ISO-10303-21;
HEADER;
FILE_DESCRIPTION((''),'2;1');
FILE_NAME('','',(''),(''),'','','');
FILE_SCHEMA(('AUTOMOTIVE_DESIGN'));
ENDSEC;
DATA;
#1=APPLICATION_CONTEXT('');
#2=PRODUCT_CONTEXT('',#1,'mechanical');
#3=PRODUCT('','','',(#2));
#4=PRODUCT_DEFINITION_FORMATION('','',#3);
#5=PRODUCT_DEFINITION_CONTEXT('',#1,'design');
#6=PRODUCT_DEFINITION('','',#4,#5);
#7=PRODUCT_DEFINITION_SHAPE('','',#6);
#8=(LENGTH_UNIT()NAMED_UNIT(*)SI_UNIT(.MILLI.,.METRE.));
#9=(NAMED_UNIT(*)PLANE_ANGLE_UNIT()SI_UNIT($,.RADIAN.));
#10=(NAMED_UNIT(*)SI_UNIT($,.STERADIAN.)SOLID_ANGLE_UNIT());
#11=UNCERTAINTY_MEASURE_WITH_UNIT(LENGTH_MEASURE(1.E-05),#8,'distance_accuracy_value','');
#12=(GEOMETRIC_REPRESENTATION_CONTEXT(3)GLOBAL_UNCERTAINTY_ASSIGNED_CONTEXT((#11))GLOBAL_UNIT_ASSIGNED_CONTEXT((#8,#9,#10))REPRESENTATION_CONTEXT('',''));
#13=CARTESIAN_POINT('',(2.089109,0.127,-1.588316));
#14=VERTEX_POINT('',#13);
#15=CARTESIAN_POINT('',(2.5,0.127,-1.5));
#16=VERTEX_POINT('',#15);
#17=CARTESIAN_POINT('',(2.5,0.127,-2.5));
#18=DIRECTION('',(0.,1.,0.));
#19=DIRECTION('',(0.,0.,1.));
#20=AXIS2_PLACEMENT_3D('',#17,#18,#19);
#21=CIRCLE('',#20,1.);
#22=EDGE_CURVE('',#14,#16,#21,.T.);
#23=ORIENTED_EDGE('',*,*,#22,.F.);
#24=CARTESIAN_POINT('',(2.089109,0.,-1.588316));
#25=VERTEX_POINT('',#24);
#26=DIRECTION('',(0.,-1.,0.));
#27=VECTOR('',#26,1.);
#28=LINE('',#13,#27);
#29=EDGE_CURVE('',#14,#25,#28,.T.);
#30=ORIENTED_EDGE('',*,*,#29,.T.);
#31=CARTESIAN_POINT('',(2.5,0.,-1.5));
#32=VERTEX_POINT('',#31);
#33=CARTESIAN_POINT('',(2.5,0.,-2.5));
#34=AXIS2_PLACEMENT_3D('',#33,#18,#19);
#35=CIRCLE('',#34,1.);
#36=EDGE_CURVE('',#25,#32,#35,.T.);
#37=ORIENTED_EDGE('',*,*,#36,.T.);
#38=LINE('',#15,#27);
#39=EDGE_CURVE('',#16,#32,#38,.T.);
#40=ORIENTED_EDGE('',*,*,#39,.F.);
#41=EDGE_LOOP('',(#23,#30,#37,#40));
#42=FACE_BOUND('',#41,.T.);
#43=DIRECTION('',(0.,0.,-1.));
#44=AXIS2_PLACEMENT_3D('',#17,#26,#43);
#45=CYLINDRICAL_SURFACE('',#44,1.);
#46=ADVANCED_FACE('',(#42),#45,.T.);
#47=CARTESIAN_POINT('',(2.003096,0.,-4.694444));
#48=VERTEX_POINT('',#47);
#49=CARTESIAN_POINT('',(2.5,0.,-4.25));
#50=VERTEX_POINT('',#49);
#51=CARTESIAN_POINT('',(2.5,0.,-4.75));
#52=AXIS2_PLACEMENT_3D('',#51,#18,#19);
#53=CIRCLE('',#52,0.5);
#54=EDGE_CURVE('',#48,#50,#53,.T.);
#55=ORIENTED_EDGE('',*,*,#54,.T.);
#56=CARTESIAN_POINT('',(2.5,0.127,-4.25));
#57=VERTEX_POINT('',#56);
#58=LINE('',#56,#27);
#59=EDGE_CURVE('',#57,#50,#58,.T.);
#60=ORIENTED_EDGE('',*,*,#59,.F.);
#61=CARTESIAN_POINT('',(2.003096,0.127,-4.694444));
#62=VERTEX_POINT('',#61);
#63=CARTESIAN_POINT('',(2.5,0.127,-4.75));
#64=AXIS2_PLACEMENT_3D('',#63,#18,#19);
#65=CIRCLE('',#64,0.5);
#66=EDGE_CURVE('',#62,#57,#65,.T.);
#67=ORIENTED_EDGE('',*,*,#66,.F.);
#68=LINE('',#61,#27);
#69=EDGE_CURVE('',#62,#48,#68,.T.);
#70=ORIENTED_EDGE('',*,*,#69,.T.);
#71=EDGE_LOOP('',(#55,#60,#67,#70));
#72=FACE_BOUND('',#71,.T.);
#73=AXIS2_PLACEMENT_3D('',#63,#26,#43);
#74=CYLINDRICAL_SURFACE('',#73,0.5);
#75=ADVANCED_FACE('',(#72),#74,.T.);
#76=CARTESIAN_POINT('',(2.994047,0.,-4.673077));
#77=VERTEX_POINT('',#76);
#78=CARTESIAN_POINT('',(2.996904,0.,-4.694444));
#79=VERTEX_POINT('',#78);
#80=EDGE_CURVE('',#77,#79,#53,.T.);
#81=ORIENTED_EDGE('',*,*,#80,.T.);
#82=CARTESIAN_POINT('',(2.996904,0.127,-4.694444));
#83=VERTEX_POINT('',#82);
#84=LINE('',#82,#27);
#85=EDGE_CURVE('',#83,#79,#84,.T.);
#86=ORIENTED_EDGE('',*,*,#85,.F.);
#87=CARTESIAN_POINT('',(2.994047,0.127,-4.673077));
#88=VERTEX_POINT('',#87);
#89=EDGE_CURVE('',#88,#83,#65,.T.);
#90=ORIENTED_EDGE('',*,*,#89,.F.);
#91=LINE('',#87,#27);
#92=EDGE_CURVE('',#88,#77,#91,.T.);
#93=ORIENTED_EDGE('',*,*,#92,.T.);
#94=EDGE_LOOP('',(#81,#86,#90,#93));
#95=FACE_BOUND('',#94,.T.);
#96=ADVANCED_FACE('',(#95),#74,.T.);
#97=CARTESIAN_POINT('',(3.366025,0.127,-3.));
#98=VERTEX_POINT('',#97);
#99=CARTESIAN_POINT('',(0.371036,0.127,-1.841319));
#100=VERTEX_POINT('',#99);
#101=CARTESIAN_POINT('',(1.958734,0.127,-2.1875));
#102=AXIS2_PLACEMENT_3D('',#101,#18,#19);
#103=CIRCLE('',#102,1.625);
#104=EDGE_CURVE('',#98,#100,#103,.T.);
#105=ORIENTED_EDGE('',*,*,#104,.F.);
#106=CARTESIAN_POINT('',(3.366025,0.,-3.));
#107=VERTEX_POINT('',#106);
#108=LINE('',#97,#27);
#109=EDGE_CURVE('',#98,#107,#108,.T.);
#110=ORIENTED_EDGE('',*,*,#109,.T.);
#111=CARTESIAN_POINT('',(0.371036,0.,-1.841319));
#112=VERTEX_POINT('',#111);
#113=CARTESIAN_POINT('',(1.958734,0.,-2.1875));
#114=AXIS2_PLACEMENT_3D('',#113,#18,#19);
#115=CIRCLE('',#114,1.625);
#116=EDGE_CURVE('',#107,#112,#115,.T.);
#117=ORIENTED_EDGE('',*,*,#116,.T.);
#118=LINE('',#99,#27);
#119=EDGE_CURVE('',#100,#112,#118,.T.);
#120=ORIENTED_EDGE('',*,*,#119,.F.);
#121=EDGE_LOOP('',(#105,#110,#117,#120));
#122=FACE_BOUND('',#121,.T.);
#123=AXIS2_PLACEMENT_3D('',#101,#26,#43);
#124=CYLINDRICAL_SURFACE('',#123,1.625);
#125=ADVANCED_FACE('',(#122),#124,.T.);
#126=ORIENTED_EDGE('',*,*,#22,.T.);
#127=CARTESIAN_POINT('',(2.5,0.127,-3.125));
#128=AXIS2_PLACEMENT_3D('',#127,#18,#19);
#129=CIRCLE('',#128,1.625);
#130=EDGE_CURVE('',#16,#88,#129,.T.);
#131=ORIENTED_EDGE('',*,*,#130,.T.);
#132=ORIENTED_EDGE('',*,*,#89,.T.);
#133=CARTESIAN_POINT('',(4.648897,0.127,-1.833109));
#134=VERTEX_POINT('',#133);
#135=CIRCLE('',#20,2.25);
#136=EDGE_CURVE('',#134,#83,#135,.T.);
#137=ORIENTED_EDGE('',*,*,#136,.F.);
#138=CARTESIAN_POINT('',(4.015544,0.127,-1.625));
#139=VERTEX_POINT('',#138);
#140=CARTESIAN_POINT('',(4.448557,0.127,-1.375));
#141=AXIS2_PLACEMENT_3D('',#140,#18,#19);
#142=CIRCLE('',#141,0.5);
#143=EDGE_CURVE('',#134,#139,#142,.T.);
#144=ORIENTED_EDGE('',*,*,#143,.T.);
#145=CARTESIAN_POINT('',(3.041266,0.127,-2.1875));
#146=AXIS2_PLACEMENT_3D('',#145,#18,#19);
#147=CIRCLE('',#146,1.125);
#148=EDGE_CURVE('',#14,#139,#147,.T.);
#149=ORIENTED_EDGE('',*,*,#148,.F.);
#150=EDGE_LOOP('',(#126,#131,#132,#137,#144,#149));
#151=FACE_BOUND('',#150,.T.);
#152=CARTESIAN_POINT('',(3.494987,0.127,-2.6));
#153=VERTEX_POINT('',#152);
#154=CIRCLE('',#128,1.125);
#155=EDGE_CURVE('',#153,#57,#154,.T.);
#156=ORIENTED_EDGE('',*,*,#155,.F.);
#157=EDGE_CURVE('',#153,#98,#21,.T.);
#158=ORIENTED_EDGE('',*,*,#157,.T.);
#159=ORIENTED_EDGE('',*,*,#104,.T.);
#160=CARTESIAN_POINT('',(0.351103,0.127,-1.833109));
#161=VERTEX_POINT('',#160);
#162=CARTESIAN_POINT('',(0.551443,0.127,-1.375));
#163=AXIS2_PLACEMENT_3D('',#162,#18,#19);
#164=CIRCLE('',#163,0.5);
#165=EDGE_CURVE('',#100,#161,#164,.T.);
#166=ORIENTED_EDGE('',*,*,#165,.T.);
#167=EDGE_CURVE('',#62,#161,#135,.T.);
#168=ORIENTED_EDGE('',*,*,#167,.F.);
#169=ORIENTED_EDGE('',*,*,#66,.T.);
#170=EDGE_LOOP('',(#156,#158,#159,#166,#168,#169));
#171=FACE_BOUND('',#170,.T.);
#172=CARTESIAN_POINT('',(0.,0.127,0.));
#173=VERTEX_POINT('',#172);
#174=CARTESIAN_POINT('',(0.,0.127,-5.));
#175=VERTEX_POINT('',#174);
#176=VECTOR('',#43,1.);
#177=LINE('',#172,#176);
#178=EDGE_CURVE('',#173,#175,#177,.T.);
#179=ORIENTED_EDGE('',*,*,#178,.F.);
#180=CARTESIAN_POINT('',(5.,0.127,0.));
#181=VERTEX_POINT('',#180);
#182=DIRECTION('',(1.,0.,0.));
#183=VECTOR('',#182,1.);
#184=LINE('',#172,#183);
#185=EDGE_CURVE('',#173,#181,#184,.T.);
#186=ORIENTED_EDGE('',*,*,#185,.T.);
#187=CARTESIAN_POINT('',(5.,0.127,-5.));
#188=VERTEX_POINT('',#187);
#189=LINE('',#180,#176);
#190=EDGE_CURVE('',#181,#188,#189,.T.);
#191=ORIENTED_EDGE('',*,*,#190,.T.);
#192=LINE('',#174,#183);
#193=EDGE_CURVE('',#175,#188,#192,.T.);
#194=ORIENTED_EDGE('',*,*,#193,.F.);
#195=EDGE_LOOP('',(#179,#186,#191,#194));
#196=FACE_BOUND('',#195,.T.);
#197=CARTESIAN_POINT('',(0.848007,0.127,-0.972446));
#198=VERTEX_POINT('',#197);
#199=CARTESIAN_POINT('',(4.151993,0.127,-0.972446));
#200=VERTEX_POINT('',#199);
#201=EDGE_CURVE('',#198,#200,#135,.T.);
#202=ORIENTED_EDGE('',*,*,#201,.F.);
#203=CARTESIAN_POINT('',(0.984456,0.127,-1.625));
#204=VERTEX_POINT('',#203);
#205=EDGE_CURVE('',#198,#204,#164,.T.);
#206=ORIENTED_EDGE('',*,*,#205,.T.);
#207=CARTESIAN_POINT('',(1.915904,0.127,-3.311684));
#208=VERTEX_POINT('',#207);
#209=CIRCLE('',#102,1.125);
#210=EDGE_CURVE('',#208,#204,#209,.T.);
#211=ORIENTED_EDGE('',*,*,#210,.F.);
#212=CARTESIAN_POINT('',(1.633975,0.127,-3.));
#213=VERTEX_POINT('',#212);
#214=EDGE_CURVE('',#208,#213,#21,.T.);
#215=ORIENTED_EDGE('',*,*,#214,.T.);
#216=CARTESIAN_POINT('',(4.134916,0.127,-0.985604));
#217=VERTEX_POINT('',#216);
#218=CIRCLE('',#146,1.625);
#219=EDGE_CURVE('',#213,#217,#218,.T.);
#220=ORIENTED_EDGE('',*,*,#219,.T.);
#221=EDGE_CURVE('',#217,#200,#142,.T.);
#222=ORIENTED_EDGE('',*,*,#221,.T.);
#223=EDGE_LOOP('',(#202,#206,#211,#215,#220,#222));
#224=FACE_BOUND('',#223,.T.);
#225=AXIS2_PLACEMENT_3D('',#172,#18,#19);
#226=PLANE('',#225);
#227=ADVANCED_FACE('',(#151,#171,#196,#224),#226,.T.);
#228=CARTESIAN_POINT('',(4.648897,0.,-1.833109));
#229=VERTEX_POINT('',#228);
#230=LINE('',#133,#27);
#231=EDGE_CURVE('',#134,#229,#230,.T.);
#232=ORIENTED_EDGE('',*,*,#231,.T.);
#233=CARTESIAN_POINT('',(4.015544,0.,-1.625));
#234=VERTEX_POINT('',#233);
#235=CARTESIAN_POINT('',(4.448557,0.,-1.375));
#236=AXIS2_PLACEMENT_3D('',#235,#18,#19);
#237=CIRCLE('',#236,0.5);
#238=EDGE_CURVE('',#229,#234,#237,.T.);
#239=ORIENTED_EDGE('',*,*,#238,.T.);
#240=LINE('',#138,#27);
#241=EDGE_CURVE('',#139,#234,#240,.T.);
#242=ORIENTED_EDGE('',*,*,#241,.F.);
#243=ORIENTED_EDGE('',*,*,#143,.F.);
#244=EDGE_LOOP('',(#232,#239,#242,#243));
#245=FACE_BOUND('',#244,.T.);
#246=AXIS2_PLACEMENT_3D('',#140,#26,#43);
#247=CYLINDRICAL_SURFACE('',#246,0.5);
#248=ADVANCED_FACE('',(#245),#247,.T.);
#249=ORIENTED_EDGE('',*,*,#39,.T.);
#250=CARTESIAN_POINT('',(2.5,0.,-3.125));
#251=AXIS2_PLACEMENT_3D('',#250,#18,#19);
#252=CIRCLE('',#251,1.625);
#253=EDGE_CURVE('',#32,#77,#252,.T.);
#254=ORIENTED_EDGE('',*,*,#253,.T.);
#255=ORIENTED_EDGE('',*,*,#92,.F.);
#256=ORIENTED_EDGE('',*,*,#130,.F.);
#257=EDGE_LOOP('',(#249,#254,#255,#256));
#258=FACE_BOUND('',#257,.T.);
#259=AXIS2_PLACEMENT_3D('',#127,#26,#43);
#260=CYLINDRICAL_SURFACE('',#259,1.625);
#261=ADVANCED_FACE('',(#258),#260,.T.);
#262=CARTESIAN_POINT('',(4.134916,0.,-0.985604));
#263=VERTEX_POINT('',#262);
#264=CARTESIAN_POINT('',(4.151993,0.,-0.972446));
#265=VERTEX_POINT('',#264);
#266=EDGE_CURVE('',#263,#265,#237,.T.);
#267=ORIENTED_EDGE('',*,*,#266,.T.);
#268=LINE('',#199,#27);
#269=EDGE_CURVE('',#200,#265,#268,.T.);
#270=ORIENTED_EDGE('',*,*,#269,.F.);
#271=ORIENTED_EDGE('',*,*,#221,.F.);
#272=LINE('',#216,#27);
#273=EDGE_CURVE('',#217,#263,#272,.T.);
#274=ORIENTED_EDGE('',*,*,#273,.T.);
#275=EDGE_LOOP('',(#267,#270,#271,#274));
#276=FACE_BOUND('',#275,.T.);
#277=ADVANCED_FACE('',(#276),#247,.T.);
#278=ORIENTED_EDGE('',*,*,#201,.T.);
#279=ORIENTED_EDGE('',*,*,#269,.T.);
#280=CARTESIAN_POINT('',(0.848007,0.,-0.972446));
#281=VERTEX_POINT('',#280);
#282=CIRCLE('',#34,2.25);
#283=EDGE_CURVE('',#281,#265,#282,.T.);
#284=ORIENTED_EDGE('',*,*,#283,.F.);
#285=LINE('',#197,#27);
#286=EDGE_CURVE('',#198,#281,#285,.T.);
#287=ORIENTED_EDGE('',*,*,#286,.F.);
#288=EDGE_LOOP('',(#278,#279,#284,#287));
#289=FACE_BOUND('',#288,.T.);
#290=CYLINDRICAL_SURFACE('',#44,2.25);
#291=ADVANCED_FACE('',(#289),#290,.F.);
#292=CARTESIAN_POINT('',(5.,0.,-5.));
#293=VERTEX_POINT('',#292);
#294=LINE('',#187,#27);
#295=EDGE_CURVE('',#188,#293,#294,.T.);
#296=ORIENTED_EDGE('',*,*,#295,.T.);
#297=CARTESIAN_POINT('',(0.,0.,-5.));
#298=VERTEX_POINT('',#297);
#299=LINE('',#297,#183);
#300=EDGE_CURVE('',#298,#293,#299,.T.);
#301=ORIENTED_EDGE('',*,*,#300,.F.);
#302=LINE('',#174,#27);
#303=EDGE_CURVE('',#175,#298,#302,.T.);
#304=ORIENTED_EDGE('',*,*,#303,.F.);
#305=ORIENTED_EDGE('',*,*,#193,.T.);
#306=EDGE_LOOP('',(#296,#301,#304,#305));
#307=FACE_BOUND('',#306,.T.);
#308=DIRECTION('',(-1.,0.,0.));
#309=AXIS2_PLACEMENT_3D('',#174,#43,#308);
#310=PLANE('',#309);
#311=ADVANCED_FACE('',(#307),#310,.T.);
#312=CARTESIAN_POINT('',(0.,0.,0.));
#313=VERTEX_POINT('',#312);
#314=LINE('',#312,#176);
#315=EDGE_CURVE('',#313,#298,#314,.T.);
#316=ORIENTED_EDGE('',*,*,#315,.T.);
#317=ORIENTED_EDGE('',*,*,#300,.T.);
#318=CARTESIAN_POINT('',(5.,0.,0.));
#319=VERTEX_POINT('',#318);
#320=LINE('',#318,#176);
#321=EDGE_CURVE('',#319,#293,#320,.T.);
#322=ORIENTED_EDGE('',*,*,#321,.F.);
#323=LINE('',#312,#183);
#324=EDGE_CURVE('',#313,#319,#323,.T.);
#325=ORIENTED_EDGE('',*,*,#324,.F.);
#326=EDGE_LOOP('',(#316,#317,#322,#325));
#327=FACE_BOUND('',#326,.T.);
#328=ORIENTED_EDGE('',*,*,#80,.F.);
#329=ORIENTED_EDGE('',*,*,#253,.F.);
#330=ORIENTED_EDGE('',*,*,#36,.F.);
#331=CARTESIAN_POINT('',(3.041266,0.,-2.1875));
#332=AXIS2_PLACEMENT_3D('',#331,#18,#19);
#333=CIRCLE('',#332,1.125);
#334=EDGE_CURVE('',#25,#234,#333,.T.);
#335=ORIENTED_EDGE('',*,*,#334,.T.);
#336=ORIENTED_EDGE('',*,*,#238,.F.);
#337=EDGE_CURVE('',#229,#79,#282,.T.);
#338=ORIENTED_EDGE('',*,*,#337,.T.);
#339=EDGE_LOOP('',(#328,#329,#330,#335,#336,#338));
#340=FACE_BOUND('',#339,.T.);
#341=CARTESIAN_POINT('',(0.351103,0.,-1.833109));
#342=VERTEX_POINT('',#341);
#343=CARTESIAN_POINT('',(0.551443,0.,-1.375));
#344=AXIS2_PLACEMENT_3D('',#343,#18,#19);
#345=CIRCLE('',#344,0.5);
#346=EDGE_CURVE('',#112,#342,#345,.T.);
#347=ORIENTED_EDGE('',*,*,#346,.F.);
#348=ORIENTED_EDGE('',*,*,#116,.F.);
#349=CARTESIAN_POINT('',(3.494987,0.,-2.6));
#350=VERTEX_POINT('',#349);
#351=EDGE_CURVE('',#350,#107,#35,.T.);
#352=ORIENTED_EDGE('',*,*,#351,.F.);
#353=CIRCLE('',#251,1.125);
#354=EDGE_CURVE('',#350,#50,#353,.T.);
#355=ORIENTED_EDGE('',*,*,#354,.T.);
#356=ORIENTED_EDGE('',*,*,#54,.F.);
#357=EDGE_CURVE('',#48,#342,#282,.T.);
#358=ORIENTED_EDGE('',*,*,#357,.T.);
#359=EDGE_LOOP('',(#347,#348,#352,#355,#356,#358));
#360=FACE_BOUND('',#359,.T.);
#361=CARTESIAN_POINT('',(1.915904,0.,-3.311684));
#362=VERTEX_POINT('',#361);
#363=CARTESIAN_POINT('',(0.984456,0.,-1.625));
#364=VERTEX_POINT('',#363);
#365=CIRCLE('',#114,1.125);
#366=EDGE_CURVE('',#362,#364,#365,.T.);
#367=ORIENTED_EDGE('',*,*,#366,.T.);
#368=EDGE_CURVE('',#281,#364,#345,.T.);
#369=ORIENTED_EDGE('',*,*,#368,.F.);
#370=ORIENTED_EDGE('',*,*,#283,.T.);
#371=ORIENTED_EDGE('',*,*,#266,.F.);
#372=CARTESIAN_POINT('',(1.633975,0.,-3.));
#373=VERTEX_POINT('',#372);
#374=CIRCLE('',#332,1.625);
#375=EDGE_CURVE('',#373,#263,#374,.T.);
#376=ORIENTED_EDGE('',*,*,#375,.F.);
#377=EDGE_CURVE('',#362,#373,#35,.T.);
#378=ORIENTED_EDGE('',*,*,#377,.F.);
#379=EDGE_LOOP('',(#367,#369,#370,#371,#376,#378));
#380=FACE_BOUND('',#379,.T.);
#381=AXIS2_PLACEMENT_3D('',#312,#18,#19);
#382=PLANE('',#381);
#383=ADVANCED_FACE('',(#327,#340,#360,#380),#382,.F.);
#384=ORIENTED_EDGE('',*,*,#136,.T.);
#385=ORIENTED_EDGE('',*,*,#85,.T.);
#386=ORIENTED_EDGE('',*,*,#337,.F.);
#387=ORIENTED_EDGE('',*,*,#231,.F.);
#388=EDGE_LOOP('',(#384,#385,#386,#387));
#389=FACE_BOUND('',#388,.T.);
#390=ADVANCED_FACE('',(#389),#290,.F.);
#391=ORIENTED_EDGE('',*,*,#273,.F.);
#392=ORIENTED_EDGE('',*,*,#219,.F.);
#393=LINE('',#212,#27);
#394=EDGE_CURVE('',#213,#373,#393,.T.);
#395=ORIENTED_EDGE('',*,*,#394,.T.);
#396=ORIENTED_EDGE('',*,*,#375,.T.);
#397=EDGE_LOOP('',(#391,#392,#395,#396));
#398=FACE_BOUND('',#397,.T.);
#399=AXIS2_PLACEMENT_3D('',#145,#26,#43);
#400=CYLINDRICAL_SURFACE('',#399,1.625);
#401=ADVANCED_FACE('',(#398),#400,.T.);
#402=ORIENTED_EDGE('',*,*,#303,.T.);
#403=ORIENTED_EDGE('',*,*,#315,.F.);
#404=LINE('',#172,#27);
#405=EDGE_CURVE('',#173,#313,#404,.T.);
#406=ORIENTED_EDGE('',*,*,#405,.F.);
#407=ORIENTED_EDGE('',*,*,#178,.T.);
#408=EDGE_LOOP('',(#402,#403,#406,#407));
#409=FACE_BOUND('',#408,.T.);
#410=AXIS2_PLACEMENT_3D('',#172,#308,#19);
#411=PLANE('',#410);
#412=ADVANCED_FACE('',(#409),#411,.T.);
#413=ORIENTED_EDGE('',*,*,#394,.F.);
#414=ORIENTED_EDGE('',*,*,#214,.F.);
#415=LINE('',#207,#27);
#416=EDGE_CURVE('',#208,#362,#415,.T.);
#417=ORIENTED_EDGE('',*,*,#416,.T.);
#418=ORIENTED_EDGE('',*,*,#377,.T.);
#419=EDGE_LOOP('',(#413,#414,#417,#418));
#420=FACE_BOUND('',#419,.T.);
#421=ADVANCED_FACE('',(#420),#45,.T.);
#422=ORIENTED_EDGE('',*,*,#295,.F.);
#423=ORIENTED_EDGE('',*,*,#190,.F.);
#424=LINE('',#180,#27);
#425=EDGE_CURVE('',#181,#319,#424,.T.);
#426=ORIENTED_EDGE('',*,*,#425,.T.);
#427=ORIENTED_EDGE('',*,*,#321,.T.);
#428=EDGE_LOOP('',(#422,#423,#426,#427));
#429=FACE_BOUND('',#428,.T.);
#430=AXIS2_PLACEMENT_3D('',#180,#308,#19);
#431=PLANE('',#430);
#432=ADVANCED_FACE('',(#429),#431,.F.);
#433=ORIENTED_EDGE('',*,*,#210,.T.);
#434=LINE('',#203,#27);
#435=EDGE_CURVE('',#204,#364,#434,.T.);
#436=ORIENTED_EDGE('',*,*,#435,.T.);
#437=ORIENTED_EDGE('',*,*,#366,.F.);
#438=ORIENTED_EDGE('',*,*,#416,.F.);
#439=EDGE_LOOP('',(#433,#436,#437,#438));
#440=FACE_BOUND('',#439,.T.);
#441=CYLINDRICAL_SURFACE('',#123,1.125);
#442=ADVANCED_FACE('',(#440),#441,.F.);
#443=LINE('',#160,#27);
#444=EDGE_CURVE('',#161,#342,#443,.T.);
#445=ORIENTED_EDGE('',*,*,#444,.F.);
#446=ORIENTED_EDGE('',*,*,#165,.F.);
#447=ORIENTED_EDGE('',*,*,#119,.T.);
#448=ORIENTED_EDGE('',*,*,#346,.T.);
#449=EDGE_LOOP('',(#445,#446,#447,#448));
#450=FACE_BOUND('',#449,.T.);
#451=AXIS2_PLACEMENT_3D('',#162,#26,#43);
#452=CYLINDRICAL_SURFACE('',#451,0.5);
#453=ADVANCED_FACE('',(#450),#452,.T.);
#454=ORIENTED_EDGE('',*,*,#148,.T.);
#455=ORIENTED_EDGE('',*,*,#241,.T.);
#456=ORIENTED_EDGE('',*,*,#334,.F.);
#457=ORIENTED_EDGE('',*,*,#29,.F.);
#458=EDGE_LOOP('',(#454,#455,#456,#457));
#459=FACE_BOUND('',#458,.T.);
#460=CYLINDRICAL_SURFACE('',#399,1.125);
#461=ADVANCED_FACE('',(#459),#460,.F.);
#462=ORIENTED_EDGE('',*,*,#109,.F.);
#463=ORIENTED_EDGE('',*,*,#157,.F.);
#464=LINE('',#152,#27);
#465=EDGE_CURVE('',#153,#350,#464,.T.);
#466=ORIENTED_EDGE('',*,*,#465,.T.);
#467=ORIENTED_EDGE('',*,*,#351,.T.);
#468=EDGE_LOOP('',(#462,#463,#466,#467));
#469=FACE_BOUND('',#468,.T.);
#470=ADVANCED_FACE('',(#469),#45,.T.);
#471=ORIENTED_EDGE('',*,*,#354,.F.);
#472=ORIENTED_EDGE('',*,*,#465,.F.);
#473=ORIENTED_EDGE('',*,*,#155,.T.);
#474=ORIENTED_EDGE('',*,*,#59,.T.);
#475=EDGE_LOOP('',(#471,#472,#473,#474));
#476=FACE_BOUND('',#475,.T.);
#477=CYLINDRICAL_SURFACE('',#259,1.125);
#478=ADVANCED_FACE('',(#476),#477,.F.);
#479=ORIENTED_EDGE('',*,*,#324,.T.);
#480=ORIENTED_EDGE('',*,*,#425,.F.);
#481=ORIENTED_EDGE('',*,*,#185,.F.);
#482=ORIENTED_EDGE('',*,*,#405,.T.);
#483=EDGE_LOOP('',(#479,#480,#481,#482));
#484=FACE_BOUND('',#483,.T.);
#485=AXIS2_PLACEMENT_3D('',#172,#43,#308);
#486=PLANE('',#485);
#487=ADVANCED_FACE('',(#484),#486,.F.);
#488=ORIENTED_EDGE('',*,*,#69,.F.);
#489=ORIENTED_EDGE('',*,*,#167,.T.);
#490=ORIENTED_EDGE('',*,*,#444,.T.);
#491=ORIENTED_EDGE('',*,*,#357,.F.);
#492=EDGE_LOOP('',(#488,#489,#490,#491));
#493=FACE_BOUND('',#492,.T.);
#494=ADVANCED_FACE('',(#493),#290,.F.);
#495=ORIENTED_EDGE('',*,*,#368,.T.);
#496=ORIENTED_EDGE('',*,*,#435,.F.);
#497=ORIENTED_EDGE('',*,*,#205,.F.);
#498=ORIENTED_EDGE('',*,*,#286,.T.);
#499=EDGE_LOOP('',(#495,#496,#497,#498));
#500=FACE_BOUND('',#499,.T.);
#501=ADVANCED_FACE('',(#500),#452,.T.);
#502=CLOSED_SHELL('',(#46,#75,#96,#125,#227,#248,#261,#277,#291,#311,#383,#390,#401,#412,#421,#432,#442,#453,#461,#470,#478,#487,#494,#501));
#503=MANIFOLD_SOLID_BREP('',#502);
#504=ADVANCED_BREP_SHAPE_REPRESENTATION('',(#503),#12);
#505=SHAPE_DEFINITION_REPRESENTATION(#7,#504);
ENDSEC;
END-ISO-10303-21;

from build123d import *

# Parameters (mm, degrees)
SKETCH1_W           = 5
SKETCH1_H           = 5
BOSS_EXTRUDE1_DEPTH = 0.127


with BuildPart() as part:
    # Sketch1 → Boss-Extrude1 (new body)
    with BuildSketch(Plane(origin=(0, 0, 0), x_dir=(1, 0, 0), z_dir=(0, 1, 0))):
        with Locations((2.5, 2.5)):
            Rectangle(SKETCH1_W, SKETCH1_H)
        with BuildLine():
            ThreePointArc((2.996903995, 4.694444444), (4.448557159, 3.625), (4.648896634, 1.833109261))
            ThreePointArc((4.648896634, 1.833109261), (4.292475213, 1.850014133), (4.015544457, 1.625))
            ThreePointArc((4.015544457, 1.625), (3.062684951, 1.062703919), (2.089108822, 1.588315603))
            ThreePointArc((2.089108822, 1.588315603), (2.289862422, 1.522328174), (2.5, 1.5))
            ThreePointArc((2.5, 1.5), (4.105654072, 2.875), (2.994047407, 4.673076923))
            ThreePointArc((2.994047407, 4.673076923), (2.995590873, 4.683745287), (2.996903995, 4.694444444))
        make_face(mode=Mode.SUBTRACT)
        with BuildLine():
            ThreePointArc((4.151992639, 0.972446295), (2.5, 0.25), (0.848007361, 0.972446295))
            ThreePointArc((0.848007361, 0.972446295), (1.04085812, 1.272663864), (0.984455543, 1.625))
            ThreePointArc((0.984455543, 1.625), (0.973922606, 2.731348579), (1.915903741, 3.311684397))
            ThreePointArc((1.915903741, 3.311684397), (1.758380151, 3.170820393), (1.633974596, 3))
            ThreePointArc((1.633974596, 3), (2.02193249, 0.921962784), (4.134916116, 0.985603933))
            ThreePointArc((4.134916116, 0.985603933), (4.143383457, 0.978933071), (4.151992639, 0.972446295))
        make_face(mode=Mode.SUBTRACT)
        with BuildLine():
            ThreePointArc((0.351103366, 1.833109261), (0.551442841, 3.625), (2.003096005, 4.694444444))
            ThreePointArc((2.003096005, 4.694444444), (2.166666667, 4.377322004), (2.5, 4.25))
            ThreePointArc((2.5, 4.25), (3.463392443, 3.705947502), (3.494987437, 2.6))
            ThreePointArc((3.494987437, 2.6), (3.451757426, 2.806851432), (3.366025404, 3))
            ThreePointArc((3.366025404, 3), (1.372413437, 3.703037216), (0.371036477, 1.841319143))
            ThreePointArc((0.371036477, 1.841319143), (0.36102567, 1.837321642), (0.351103366, 1.833109261))
        make_face(mode=Mode.SUBTRACT)
    extrude(amount=BOSS_EXTRUDE1_DEPTH)


solid = part.part
